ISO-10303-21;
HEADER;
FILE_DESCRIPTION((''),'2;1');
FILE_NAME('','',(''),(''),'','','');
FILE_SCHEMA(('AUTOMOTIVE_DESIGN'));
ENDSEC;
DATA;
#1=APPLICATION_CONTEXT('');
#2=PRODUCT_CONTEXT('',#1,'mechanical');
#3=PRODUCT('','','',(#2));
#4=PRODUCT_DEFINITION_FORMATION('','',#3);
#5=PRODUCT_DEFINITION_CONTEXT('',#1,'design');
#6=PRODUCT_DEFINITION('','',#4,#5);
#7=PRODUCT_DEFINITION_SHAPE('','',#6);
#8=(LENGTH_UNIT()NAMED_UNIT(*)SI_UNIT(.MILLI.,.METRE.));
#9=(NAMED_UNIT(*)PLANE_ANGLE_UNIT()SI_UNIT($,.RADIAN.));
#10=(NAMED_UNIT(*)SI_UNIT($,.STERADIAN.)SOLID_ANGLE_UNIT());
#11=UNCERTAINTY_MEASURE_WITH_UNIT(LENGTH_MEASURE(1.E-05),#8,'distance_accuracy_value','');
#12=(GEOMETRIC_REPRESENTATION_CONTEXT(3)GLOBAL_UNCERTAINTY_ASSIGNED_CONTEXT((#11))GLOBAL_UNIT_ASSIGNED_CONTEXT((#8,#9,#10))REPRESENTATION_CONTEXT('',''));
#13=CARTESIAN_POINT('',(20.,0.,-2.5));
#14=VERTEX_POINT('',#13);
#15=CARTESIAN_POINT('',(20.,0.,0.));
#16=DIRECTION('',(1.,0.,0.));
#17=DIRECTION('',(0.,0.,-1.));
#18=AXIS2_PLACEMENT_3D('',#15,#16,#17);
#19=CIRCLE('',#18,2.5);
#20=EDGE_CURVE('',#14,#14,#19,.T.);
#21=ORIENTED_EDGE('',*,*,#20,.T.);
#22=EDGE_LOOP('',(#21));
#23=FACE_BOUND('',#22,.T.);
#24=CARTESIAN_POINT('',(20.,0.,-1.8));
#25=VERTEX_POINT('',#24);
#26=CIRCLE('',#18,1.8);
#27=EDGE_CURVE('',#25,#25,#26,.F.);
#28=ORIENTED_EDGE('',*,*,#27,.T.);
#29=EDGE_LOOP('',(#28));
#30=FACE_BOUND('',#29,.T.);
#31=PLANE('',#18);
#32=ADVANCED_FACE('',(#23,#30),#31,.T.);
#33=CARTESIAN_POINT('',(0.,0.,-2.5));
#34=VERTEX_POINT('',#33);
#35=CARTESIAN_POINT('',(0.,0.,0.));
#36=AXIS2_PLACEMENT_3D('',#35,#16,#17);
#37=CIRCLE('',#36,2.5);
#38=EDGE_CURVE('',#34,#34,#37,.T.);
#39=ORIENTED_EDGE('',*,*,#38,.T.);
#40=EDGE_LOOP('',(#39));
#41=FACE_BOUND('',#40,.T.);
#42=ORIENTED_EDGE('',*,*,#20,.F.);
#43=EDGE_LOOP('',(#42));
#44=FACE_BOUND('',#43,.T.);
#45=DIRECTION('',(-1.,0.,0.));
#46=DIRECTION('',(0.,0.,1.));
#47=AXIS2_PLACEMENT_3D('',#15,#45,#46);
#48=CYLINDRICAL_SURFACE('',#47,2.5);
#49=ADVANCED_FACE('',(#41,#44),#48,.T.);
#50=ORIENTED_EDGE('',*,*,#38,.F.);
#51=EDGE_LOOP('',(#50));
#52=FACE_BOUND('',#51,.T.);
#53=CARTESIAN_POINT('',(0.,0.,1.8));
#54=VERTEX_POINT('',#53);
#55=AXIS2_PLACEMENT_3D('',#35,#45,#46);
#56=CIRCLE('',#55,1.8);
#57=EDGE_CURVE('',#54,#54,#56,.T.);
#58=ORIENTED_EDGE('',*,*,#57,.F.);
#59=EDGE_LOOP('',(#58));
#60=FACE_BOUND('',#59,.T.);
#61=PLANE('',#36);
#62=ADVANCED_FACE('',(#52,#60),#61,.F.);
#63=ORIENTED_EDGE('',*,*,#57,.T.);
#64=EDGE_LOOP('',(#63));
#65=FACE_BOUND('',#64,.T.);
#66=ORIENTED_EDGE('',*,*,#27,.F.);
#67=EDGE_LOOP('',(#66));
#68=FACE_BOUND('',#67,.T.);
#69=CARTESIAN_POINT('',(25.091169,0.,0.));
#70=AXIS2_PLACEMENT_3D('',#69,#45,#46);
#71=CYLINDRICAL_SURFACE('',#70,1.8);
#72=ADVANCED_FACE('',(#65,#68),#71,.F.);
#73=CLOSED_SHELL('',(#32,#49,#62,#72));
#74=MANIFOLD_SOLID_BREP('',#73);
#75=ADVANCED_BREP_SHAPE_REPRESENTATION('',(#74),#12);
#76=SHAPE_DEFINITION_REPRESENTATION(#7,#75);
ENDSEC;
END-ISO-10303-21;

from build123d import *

# Parameters (mm, degrees)
SKETCH_4_R          = 2.5
EXTRUDE_1_DEPTH     = 20
SKETCH_5_R          = 1.8
CUT_EXTRUDE_2_DEPTH = 20


with BuildPart() as part:
    # 草图4 → 凸台-拉伸1 (new body)
    with BuildSketch(Plane(origin=(0, 0, 0), x_dir=(0, 0, -1), z_dir=(1, 0, 0))):
        Circle(SKETCH_4_R)
    extrude(amount=EXTRUDE_1_DEPTH)

    # 草图5 → 切除-拉伸2 (cut)
    with BuildSketch(Plane.ZY):
        Circle(SKETCH_5_R)
    extrude(amount=-CUT_EXTRUDE_2_DEPTH, mode=Mode.SUBTRACT)


solid = part.part
